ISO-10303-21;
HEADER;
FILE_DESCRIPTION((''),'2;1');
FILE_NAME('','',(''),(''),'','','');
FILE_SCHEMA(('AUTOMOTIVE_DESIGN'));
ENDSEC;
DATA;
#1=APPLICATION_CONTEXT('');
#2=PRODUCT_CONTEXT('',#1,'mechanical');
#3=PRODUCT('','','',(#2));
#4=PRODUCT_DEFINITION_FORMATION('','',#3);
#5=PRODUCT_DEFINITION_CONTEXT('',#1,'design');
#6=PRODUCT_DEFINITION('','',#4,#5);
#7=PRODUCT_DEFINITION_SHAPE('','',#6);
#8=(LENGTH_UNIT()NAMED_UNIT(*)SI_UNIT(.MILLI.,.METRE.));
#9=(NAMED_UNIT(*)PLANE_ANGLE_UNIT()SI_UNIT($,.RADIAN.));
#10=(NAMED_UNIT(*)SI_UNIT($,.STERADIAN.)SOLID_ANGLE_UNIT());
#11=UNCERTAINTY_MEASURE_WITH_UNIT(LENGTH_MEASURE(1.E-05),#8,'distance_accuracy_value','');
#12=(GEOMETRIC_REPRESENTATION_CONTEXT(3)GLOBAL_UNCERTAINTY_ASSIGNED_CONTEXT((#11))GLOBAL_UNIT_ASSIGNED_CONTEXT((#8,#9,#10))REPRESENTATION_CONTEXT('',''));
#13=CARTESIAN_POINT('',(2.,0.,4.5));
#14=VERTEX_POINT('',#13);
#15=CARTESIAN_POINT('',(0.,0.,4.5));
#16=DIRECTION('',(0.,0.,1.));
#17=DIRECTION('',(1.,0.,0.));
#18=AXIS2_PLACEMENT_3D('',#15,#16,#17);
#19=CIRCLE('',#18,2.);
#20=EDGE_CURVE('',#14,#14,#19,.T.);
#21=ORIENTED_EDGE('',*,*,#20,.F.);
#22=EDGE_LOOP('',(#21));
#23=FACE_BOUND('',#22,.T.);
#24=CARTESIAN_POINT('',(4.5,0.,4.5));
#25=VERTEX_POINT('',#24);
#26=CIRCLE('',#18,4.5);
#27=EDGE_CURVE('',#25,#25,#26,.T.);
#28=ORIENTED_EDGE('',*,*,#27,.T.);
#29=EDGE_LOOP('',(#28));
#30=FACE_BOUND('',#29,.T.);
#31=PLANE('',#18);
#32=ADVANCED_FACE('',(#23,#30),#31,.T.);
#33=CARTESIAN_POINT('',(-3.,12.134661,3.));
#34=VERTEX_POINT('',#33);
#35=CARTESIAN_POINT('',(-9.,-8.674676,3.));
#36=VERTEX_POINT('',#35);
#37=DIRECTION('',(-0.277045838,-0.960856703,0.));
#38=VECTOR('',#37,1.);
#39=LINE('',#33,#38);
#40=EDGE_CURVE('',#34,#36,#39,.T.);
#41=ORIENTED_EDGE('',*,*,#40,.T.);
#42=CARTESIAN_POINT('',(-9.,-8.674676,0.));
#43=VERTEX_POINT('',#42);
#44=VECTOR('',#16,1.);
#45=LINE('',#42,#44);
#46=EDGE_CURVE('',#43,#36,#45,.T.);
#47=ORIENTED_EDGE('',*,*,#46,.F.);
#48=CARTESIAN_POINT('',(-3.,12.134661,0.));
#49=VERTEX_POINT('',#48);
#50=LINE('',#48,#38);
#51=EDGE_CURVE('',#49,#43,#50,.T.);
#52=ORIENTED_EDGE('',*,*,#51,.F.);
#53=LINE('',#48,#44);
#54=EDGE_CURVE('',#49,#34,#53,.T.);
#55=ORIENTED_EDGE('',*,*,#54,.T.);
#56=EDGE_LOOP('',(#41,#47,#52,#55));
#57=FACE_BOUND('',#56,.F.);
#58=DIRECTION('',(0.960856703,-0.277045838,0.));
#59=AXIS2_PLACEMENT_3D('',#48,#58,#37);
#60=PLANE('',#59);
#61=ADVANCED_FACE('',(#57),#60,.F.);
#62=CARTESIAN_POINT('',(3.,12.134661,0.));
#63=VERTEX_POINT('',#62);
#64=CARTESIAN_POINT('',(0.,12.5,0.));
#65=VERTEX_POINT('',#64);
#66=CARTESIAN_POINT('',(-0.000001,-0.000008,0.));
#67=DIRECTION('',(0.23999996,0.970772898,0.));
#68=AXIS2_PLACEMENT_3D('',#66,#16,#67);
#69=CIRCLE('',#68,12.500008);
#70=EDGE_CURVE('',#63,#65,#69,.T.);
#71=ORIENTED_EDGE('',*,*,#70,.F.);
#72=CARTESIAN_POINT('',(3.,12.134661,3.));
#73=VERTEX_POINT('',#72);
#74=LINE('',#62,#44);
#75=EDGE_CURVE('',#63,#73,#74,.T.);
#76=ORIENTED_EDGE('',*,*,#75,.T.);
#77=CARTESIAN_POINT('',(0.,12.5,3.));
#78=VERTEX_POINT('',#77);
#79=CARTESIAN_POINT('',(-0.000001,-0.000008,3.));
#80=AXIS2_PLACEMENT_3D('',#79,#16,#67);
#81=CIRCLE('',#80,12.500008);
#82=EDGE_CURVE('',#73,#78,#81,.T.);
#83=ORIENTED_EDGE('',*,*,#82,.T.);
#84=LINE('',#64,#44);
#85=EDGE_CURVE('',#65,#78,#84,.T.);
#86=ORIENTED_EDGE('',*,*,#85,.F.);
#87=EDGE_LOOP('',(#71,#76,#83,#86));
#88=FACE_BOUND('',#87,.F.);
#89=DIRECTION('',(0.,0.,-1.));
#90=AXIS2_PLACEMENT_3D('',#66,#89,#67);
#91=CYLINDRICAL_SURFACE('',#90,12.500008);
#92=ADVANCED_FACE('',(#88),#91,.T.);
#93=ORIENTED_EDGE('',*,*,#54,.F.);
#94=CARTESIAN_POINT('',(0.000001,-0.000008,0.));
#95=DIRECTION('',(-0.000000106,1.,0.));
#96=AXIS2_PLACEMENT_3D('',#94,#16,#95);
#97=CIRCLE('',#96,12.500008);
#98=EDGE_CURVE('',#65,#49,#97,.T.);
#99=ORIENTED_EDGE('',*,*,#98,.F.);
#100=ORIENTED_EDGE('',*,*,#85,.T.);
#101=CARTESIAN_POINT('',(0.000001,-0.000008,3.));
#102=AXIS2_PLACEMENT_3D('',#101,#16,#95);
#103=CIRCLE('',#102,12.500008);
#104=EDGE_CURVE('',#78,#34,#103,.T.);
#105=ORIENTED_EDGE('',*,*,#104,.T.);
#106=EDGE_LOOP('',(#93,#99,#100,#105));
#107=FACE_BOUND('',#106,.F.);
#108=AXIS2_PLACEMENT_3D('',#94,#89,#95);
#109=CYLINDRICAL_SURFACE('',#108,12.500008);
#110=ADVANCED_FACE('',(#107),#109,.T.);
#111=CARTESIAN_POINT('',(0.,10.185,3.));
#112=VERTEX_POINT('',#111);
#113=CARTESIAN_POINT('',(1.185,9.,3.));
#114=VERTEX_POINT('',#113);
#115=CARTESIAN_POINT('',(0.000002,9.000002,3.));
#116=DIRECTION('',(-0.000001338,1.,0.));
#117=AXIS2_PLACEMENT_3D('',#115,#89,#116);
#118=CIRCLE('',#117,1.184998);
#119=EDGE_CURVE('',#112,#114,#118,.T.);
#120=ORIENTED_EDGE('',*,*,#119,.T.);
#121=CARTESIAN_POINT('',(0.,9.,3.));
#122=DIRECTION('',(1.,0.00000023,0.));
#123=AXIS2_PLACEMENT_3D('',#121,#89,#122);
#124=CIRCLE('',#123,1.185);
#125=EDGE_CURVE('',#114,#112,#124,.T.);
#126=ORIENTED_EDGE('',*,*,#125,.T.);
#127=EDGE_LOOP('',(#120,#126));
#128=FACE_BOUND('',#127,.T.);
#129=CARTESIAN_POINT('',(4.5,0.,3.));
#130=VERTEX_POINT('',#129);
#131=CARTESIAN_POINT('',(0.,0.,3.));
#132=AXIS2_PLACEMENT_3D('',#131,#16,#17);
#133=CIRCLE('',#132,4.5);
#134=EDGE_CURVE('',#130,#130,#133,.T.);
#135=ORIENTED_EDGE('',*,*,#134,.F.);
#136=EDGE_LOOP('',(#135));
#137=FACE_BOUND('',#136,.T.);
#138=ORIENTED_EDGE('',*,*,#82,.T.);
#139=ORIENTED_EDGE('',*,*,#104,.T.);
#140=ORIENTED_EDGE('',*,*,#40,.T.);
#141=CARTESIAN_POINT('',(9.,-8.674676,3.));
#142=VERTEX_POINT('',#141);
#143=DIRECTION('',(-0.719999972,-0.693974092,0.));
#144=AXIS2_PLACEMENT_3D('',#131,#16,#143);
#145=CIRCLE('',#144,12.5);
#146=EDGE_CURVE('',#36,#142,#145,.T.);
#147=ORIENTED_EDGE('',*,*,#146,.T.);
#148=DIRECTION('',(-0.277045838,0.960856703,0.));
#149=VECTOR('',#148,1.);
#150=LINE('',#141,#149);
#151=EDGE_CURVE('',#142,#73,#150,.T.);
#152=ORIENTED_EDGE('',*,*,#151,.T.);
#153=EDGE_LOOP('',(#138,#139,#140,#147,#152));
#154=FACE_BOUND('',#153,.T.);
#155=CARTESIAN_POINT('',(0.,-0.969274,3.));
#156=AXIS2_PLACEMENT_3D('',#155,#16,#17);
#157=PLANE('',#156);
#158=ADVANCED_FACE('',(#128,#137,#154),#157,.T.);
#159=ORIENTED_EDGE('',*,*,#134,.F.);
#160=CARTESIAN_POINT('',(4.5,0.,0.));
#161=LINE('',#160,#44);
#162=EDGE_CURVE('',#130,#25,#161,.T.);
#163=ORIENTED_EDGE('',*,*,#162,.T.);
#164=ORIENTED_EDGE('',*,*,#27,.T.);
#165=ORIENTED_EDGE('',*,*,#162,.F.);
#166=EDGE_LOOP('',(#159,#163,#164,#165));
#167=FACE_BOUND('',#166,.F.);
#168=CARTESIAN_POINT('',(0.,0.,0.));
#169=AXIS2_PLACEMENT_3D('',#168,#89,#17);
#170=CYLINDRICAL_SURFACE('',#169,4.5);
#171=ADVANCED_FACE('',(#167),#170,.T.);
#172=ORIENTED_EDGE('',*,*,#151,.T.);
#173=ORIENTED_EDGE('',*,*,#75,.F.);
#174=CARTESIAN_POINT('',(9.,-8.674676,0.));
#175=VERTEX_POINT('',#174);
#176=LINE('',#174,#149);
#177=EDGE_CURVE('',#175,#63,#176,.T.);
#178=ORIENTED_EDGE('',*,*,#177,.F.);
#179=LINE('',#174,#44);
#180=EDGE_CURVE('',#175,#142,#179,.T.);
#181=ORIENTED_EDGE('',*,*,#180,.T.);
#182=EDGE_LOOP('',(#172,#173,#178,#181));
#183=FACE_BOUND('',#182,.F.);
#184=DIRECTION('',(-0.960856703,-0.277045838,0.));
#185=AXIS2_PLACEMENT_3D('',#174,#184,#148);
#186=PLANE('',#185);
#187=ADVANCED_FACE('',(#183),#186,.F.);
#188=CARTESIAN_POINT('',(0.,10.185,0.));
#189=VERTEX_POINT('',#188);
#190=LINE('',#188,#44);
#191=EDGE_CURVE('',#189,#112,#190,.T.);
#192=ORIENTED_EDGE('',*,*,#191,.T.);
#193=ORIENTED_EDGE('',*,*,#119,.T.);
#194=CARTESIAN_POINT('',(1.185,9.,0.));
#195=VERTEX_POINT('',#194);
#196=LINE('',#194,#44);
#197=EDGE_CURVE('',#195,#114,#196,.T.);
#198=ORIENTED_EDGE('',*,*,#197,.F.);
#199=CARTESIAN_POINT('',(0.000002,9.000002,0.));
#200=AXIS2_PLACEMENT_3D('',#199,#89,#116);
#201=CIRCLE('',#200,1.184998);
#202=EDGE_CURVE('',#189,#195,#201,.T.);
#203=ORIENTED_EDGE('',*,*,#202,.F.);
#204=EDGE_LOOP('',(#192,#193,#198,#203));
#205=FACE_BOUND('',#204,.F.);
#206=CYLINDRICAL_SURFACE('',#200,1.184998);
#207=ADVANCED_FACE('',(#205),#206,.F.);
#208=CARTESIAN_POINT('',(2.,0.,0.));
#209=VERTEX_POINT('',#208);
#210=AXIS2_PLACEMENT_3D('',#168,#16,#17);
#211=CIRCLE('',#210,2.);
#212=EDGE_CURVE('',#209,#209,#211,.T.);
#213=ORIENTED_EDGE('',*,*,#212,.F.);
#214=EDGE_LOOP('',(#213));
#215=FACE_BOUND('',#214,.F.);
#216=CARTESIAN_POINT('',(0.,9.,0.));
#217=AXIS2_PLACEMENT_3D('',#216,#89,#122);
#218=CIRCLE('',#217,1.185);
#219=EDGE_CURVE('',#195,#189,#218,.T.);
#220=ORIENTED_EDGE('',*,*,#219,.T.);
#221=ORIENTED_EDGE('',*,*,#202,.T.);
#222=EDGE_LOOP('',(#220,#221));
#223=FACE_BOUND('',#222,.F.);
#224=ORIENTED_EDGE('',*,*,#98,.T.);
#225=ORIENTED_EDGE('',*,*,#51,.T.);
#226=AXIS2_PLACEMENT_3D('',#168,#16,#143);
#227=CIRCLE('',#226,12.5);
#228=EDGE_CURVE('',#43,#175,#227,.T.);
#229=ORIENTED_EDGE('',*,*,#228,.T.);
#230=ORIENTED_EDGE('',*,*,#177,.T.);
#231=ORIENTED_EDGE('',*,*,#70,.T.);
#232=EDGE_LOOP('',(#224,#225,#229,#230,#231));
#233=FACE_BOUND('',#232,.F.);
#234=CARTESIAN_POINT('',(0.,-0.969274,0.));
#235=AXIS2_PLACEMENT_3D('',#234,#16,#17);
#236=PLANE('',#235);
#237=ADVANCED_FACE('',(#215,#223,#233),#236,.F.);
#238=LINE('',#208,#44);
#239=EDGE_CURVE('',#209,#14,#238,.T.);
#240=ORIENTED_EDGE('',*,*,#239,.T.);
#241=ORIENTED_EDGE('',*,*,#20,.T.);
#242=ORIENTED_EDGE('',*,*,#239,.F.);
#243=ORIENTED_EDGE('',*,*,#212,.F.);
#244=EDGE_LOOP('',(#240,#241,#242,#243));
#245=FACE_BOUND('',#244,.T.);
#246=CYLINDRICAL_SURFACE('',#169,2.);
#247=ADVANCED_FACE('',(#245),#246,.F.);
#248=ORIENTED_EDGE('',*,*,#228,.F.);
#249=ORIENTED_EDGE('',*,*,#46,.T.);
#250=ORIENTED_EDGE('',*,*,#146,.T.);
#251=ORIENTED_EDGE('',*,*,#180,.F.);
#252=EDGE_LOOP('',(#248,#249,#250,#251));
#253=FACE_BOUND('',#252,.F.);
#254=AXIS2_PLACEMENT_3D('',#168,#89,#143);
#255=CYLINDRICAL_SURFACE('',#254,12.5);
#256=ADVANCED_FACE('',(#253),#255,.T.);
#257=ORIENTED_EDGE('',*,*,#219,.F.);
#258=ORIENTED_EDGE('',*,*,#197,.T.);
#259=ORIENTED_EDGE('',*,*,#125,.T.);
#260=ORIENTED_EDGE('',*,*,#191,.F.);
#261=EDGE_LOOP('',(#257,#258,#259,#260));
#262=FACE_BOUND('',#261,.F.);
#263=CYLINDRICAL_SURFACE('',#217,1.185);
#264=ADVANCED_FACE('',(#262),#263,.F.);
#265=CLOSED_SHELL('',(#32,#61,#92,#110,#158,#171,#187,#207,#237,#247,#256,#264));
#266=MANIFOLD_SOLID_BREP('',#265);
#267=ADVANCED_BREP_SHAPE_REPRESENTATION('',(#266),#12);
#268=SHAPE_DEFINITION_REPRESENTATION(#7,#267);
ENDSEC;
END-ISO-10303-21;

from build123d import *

# Parameters (mm, degrees)
F0_R     = 4.5
F1_DEPTH = 3
F2_R     = 4.5
F2_R_2   = 2
F3_DEPTH = 4.5


with BuildPart() as f1:
    # F0 (on Top) → F1 (new body)
    with BuildSketch(Plane.XY):
        with BuildLine():
            Line((-3, 12.134661), (-9, -8.674676))
            ThreePointArc((-9, -8.674676), (0, -12.5), (9, -8.674676))
            Line((9, -8.674676), (3, 12.134661))
            ThreePointArc((3, 12.134661), (1.511082, 12.408329), (0, 12.5))
            ThreePointArc((0, 12.5), (-1.511082, 12.408329), (-3, 12.134661))
        make_face()
        Circle(F0_R, mode=Mode.SUBTRACT)
        with BuildLine():
            ThreePointArc((1.185, 9), (-0.837922, 8.162078), (0, 10.185))
            ThreePointArc((0, 10.185), (0.837922, 9.837922), (1.185, 9))
        make_face(mode=Mode.SUBTRACT)
    extrude(amount=F1_DEPTH)

    # F2 (on face) → F3 (join)
    with BuildSketch(Plane.XY):
        Circle(F2_R)
        Circle(F2_R_2, mode=Mode.SUBTRACT)
    extrude(amount=F3_DEPTH)


solid = f1.part
